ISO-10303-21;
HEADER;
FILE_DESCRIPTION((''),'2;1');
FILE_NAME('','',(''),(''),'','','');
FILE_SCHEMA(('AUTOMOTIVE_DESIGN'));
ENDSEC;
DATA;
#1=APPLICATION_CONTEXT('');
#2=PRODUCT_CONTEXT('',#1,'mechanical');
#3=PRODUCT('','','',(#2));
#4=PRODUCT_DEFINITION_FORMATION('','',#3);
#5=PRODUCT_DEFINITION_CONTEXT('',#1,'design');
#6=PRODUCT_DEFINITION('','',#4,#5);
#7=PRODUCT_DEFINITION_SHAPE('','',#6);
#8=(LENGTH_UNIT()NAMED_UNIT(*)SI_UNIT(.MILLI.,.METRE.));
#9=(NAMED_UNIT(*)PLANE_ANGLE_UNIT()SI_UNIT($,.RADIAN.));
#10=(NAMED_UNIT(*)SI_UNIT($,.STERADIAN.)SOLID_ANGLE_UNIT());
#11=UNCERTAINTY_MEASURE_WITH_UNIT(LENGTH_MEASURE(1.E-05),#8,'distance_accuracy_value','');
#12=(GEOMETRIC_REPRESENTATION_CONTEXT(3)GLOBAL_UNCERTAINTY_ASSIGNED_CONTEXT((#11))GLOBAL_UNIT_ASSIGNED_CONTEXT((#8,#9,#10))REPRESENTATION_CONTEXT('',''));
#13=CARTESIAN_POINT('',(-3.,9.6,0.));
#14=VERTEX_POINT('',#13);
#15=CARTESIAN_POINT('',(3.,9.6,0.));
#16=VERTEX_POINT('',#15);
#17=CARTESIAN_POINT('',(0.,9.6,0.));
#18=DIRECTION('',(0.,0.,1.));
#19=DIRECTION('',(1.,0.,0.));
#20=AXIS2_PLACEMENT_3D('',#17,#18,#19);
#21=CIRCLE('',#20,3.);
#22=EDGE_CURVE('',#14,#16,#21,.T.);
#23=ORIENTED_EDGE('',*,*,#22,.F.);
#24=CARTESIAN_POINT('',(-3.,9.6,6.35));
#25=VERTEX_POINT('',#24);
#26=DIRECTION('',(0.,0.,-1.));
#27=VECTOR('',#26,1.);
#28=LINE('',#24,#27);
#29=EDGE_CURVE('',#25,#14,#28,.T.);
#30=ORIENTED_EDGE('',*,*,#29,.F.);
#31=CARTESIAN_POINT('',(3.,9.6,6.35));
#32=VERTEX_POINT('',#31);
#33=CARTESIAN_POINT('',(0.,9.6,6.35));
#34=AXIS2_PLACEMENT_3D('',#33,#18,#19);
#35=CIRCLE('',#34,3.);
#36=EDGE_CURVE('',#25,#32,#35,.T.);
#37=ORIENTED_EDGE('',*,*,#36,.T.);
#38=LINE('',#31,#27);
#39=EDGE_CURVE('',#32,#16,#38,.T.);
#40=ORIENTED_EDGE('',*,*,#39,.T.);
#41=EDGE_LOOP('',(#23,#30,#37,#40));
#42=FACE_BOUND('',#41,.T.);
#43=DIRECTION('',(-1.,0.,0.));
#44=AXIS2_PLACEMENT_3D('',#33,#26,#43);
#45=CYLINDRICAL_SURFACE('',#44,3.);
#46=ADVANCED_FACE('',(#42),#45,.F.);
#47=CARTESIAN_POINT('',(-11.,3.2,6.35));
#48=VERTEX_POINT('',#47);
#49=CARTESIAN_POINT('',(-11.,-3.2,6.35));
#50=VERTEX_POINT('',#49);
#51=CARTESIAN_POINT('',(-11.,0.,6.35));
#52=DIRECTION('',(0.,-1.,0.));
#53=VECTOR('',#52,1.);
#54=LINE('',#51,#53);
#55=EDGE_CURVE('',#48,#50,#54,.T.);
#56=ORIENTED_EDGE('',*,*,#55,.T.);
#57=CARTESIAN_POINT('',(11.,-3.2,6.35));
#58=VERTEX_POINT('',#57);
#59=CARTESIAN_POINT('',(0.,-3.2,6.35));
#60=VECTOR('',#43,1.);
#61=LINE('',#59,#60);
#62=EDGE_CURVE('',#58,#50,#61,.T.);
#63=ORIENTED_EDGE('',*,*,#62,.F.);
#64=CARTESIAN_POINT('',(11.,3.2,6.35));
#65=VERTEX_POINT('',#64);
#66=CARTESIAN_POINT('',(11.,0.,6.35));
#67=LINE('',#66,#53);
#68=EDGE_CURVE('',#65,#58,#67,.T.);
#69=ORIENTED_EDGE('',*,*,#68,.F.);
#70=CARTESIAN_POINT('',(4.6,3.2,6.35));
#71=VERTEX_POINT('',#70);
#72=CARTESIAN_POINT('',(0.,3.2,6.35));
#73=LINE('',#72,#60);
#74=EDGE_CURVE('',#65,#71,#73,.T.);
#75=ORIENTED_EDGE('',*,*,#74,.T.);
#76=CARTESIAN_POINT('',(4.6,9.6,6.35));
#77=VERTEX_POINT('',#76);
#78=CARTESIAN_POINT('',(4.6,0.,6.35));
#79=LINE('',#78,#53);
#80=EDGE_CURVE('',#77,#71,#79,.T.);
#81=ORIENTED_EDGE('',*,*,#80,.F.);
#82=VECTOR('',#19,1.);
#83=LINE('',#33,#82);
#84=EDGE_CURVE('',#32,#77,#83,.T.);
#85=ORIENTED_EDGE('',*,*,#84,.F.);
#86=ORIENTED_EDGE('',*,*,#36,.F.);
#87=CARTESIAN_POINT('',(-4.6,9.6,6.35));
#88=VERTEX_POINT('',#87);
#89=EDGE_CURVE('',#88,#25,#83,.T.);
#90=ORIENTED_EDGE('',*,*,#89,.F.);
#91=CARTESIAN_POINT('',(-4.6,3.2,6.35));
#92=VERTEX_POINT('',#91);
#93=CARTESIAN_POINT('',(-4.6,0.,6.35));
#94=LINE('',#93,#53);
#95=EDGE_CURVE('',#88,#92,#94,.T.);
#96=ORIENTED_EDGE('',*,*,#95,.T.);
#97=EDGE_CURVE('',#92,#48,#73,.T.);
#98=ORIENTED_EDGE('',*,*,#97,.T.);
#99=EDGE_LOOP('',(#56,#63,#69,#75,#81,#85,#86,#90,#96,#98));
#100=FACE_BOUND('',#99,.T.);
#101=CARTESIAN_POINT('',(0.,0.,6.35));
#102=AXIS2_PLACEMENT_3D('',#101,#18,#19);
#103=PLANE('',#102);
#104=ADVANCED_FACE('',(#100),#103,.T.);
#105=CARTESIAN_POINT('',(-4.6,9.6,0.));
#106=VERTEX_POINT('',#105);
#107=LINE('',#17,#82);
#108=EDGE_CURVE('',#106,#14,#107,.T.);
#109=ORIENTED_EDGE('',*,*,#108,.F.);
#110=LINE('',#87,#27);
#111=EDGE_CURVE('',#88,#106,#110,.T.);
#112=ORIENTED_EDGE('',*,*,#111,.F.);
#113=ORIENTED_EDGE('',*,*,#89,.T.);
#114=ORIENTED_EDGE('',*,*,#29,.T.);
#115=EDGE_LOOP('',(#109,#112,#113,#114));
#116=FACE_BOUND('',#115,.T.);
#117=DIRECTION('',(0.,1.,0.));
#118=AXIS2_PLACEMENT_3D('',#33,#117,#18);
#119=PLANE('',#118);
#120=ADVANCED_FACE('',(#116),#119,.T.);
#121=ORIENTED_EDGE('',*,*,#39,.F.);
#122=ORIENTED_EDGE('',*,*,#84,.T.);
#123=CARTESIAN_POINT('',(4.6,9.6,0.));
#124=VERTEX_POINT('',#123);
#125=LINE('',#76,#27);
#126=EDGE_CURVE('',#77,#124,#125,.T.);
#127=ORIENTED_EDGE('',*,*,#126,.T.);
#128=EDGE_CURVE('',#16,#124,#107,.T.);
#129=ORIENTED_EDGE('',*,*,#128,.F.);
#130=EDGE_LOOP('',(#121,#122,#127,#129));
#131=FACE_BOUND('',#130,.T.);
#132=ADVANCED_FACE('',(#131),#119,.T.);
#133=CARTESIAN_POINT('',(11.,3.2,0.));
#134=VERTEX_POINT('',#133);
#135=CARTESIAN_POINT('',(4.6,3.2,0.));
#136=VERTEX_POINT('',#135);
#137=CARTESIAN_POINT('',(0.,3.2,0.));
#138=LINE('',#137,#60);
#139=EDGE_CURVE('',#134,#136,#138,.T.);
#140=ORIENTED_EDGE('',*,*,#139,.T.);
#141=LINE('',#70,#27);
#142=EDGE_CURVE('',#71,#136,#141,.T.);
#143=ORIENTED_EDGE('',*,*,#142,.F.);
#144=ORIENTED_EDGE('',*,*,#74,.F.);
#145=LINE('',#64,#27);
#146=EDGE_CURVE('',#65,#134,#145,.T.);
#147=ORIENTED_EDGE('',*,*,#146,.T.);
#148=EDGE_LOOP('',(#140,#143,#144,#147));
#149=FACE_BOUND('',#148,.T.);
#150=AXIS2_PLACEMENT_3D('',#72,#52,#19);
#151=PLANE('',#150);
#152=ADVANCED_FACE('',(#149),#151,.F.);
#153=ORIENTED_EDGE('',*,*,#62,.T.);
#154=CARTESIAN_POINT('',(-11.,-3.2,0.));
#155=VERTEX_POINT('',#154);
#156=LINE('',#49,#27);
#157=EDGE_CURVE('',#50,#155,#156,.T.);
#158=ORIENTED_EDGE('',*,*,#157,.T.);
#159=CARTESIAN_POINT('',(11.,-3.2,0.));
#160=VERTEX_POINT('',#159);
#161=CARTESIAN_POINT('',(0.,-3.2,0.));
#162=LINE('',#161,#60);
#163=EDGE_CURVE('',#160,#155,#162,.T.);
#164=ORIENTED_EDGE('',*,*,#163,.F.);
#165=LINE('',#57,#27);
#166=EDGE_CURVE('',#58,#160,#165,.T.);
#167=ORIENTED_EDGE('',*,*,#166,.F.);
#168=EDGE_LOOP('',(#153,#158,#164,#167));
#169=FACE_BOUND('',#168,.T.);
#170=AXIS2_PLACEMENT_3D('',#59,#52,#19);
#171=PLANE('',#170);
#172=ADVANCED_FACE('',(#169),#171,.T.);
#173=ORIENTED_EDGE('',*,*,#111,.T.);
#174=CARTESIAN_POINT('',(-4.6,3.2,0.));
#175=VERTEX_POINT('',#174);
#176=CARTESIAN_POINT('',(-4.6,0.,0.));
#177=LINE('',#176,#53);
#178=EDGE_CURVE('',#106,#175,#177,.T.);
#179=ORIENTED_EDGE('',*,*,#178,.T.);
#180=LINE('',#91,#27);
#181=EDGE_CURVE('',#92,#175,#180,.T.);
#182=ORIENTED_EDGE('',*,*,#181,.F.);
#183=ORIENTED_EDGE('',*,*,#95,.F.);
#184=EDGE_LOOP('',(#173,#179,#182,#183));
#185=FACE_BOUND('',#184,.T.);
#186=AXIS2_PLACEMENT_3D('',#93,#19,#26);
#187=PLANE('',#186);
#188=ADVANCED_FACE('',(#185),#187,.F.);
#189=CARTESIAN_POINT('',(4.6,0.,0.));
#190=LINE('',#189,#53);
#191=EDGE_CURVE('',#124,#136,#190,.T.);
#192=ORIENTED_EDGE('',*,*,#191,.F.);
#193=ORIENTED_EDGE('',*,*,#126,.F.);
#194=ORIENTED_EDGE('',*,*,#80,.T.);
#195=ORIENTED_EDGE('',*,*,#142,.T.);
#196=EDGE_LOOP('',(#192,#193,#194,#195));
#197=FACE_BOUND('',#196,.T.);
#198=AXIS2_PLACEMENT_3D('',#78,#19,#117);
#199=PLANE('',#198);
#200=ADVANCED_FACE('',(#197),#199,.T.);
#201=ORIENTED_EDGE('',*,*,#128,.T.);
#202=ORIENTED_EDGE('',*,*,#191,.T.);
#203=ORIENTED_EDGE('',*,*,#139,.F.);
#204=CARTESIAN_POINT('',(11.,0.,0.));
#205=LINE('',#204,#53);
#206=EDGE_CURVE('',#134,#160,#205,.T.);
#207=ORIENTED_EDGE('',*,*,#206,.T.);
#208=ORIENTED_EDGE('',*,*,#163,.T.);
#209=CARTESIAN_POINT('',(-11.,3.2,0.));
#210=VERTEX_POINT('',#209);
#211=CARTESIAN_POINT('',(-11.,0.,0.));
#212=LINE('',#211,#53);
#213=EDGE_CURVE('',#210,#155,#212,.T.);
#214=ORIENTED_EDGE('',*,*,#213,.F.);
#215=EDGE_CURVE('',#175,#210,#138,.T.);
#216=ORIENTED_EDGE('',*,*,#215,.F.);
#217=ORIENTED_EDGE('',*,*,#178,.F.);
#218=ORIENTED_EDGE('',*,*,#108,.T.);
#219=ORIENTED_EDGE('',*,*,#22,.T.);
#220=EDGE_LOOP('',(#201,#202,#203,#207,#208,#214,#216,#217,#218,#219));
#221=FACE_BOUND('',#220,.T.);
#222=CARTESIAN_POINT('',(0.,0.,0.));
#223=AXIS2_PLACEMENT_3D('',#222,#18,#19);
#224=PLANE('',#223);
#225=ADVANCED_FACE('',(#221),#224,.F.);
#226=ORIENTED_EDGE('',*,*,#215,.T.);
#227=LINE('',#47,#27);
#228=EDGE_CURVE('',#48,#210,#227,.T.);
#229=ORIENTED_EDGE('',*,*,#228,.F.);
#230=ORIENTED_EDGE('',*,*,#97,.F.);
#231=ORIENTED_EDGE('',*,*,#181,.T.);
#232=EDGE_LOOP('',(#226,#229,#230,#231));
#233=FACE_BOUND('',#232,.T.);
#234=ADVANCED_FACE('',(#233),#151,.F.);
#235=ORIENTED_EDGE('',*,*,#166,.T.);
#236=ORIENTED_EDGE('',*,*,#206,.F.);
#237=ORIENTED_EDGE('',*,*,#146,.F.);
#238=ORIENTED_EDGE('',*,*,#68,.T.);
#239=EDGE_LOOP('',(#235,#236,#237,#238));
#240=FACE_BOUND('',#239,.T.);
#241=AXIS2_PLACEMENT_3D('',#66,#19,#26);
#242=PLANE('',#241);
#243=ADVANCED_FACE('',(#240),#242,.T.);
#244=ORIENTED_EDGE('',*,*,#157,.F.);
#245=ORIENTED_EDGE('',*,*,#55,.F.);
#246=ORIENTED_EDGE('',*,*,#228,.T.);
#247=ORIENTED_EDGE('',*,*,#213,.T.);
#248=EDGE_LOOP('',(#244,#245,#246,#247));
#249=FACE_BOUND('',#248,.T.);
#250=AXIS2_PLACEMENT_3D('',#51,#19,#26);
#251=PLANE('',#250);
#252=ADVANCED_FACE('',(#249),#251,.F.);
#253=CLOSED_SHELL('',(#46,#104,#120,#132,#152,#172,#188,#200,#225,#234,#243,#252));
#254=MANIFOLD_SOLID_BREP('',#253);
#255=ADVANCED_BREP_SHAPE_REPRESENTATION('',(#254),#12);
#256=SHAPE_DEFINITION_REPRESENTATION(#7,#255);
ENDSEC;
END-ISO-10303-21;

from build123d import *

# Parameters (mm, degrees)
BOSS_EXTRUDE1_DEPTH = 6.35


with BuildPart() as part:
    # Sketch1 → Boss-Extrude1 (new body)
    with BuildSketch(Plane.XY):
        with BuildLine():
            Line((-3, 9.6), (-4.6, 9.6))
            Line((-4.6, 9.6), (-4.6, 3.2))
            Line((-4.6, 3.2), (-11, 3.2))
            Line((-11, 3.2), (-11, -3.2))
            Line((-11, -3.2), (11, -3.2))
            Line((11, -3.2), (11, 3.2))
            Line((11, 3.2), (4.6, 3.2))
            Line((4.6, 3.2), (4.6, 9.6))
            Line((4.6, 9.6), (3, 9.6))
            ThreePointArc((3, 9.6), (0, 6.6), (-3, 9.6))
        make_face()
    extrude(amount=BOSS_EXTRUDE1_DEPTH)


solid = part.part
